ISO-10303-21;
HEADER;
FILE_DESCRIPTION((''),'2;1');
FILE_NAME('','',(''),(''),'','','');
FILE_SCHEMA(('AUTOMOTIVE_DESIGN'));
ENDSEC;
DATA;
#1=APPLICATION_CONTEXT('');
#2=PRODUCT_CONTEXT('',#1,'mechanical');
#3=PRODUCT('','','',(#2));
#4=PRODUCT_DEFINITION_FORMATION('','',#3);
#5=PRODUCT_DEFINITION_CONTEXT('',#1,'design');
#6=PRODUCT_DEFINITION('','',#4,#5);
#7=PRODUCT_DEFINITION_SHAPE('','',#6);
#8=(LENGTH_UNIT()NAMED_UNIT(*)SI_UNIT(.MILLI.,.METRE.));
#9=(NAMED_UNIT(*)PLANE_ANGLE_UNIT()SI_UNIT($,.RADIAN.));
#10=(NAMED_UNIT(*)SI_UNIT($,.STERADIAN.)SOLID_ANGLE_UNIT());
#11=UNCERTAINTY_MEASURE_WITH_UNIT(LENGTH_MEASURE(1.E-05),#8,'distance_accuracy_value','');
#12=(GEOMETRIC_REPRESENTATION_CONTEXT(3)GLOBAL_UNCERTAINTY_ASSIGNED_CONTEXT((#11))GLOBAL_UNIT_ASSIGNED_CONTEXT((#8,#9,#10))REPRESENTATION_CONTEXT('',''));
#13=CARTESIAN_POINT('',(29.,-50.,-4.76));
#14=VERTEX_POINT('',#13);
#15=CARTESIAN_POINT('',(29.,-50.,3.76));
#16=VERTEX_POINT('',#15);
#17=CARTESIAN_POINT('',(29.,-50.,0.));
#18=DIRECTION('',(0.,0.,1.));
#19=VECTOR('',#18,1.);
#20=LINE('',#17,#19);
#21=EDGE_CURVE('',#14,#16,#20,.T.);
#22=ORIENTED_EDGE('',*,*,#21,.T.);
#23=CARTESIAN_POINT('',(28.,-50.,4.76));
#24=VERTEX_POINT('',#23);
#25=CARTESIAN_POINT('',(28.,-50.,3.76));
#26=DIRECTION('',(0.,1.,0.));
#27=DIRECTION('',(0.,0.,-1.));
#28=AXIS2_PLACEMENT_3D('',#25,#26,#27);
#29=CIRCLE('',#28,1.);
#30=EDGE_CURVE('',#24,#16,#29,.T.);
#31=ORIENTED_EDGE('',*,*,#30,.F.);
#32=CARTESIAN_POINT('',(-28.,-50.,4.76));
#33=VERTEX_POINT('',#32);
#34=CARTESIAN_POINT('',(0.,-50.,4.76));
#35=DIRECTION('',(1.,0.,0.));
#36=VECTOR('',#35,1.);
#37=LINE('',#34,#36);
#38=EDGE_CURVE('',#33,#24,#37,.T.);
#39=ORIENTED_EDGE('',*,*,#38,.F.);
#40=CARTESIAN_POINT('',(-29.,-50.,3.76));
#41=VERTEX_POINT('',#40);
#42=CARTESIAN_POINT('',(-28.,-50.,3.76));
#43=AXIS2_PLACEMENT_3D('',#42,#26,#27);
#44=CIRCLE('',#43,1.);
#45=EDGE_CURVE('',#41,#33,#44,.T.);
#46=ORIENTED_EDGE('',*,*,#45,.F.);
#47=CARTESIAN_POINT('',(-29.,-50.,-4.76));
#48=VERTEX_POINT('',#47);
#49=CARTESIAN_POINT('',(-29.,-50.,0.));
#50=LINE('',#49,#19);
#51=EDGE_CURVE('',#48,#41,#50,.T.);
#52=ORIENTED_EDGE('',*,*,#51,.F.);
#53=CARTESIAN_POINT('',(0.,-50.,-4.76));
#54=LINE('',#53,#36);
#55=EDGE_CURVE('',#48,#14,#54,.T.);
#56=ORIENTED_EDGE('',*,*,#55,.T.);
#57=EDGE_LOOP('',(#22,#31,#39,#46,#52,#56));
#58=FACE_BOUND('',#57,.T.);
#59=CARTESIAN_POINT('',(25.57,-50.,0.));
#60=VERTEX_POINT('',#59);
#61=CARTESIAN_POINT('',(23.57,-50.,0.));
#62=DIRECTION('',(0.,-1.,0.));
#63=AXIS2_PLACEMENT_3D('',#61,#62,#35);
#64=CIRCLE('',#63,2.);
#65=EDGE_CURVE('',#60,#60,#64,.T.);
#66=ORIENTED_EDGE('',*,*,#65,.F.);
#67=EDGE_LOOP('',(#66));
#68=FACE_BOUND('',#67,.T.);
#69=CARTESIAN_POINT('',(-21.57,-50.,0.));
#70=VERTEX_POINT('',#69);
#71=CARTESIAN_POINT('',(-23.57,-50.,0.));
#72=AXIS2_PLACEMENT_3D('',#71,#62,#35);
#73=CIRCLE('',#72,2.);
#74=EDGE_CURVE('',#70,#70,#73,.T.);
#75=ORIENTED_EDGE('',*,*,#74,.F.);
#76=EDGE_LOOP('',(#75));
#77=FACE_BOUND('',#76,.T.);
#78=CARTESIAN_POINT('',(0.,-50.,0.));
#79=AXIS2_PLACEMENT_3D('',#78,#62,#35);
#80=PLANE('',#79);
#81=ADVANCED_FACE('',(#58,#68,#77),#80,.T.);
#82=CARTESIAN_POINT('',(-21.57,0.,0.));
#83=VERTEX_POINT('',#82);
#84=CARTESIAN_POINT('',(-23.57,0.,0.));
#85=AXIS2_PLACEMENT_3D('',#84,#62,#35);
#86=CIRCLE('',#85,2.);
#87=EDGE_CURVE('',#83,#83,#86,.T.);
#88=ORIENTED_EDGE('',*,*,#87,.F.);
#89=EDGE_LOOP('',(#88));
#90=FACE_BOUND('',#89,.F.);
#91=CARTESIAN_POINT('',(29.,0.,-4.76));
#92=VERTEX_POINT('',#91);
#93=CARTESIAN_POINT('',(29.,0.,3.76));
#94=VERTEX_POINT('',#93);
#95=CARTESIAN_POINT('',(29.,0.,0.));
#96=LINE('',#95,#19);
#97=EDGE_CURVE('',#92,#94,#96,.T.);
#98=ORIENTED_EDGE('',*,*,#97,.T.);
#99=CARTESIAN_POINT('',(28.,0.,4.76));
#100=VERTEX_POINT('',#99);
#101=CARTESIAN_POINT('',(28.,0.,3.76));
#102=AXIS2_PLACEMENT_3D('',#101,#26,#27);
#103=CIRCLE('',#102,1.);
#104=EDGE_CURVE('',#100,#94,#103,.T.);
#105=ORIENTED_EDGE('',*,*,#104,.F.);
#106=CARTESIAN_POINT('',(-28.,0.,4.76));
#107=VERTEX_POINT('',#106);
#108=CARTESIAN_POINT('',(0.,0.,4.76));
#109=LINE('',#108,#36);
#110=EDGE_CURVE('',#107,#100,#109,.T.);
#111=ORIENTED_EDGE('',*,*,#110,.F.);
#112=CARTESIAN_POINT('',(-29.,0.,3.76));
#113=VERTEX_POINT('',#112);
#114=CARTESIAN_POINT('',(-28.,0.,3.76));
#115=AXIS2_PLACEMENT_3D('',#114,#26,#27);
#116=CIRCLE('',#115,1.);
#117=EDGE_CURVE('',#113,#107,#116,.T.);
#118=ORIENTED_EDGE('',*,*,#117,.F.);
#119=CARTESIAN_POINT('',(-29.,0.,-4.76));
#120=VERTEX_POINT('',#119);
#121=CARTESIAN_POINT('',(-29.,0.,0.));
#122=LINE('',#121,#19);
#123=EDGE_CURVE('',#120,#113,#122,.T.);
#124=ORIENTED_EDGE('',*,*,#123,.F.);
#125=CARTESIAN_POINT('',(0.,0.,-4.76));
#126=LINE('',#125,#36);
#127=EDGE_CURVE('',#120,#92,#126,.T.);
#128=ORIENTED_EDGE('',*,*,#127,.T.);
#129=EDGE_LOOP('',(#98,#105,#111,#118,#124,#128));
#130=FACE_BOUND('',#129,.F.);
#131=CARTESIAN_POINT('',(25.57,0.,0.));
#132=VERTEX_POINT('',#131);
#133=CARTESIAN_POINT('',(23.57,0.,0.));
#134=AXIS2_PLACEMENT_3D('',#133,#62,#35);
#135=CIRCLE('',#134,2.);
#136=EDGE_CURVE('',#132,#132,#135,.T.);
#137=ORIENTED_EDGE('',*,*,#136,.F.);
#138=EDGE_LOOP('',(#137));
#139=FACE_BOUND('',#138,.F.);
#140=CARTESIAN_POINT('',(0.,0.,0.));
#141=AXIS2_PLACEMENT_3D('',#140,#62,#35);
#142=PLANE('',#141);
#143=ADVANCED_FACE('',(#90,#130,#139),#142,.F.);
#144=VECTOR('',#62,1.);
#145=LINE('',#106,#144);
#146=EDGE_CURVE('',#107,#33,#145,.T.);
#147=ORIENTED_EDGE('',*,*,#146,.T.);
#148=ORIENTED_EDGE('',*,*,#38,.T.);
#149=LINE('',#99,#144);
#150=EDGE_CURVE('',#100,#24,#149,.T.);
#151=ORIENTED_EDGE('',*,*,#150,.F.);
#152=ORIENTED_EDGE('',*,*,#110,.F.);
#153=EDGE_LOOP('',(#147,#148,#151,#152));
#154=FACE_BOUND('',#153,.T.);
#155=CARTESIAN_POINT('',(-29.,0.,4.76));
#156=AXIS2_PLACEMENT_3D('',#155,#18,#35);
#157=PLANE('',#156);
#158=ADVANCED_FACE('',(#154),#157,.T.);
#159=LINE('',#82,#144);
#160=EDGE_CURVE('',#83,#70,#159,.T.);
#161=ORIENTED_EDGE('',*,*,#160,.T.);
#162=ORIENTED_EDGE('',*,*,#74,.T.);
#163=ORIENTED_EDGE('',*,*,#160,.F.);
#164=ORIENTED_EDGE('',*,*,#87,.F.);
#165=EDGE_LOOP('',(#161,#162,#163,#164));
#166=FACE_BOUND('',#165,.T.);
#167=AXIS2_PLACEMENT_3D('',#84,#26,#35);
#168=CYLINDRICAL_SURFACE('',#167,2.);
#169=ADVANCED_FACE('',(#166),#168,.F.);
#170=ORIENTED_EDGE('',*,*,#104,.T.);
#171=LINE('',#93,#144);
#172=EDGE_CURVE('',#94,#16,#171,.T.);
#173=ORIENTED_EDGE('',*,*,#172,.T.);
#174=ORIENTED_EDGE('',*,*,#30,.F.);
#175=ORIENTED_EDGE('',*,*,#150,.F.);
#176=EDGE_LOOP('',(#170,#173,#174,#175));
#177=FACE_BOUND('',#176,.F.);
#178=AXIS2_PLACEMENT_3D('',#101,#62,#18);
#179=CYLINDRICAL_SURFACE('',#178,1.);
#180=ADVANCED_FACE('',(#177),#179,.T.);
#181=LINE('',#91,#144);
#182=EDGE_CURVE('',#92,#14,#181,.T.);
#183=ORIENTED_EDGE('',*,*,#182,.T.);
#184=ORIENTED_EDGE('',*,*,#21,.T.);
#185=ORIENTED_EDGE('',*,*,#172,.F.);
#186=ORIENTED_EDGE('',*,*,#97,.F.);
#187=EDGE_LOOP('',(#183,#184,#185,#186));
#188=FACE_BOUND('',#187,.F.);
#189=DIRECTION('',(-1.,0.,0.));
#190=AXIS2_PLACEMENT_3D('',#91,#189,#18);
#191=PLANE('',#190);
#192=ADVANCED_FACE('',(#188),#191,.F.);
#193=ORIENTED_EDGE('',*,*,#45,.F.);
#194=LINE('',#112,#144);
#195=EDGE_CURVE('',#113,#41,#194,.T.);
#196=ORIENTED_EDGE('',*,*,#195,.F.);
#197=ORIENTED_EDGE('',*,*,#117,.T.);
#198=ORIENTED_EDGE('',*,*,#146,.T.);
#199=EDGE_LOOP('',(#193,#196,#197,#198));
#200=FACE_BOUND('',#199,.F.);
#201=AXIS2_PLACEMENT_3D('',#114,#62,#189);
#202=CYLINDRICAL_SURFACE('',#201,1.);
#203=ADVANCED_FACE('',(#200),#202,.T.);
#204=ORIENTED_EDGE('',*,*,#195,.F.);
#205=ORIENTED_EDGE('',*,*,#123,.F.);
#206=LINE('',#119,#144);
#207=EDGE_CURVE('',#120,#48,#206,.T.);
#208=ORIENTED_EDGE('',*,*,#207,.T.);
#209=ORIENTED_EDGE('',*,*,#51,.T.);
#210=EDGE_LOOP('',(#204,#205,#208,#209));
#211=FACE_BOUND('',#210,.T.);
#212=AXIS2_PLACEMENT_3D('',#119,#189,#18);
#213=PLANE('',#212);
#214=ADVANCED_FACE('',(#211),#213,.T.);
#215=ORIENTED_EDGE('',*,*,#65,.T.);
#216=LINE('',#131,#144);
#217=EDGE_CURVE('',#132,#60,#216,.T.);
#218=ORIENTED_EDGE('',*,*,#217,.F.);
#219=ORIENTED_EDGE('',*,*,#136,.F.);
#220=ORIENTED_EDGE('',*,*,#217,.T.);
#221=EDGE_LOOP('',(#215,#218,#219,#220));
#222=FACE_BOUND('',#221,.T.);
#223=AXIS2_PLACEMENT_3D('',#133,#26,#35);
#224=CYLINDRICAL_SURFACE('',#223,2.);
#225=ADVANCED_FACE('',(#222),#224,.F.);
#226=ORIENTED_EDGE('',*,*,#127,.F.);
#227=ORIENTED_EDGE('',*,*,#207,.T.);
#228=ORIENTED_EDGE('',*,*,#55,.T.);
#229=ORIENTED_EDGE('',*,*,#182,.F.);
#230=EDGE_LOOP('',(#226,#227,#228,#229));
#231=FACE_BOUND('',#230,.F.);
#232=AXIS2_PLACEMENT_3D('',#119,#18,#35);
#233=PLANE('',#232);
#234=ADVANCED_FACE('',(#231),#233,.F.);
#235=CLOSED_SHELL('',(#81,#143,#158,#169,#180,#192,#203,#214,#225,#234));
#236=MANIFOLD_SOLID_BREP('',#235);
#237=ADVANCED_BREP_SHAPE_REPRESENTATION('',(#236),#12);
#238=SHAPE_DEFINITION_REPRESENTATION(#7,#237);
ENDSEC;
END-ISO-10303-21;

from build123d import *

# Parameters (mm, degrees)
SKETCH_W  = 58
SKETCH_H  = 9.52
SKETCH_R  = 2
PAD_DEPTH = 50
FILLET_R  = 1


with BuildPart() as part:
    # Sketch → Pad (new body)
    with BuildSketch(Plane.XZ):
        Rectangle(SKETCH_W, SKETCH_H)
        with Locations((-23.57, 0)):
            Circle(SKETCH_R, mode=Mode.SUBTRACT)
        with Locations((23.57, 0)):
            Circle(SKETCH_R, mode=Mode.SUBTRACT)
    extrude(amount=PAD_DEPTH)

    # Fillet
    fillet_edges = [part.edges().sort_by_distance(p)[0] for p in [
        (29, -25, 4.76),
        (-29, -25, 4.76),
    ]]
    fillet(fillet_edges, radius=FILLET_R)


solid = part.part
